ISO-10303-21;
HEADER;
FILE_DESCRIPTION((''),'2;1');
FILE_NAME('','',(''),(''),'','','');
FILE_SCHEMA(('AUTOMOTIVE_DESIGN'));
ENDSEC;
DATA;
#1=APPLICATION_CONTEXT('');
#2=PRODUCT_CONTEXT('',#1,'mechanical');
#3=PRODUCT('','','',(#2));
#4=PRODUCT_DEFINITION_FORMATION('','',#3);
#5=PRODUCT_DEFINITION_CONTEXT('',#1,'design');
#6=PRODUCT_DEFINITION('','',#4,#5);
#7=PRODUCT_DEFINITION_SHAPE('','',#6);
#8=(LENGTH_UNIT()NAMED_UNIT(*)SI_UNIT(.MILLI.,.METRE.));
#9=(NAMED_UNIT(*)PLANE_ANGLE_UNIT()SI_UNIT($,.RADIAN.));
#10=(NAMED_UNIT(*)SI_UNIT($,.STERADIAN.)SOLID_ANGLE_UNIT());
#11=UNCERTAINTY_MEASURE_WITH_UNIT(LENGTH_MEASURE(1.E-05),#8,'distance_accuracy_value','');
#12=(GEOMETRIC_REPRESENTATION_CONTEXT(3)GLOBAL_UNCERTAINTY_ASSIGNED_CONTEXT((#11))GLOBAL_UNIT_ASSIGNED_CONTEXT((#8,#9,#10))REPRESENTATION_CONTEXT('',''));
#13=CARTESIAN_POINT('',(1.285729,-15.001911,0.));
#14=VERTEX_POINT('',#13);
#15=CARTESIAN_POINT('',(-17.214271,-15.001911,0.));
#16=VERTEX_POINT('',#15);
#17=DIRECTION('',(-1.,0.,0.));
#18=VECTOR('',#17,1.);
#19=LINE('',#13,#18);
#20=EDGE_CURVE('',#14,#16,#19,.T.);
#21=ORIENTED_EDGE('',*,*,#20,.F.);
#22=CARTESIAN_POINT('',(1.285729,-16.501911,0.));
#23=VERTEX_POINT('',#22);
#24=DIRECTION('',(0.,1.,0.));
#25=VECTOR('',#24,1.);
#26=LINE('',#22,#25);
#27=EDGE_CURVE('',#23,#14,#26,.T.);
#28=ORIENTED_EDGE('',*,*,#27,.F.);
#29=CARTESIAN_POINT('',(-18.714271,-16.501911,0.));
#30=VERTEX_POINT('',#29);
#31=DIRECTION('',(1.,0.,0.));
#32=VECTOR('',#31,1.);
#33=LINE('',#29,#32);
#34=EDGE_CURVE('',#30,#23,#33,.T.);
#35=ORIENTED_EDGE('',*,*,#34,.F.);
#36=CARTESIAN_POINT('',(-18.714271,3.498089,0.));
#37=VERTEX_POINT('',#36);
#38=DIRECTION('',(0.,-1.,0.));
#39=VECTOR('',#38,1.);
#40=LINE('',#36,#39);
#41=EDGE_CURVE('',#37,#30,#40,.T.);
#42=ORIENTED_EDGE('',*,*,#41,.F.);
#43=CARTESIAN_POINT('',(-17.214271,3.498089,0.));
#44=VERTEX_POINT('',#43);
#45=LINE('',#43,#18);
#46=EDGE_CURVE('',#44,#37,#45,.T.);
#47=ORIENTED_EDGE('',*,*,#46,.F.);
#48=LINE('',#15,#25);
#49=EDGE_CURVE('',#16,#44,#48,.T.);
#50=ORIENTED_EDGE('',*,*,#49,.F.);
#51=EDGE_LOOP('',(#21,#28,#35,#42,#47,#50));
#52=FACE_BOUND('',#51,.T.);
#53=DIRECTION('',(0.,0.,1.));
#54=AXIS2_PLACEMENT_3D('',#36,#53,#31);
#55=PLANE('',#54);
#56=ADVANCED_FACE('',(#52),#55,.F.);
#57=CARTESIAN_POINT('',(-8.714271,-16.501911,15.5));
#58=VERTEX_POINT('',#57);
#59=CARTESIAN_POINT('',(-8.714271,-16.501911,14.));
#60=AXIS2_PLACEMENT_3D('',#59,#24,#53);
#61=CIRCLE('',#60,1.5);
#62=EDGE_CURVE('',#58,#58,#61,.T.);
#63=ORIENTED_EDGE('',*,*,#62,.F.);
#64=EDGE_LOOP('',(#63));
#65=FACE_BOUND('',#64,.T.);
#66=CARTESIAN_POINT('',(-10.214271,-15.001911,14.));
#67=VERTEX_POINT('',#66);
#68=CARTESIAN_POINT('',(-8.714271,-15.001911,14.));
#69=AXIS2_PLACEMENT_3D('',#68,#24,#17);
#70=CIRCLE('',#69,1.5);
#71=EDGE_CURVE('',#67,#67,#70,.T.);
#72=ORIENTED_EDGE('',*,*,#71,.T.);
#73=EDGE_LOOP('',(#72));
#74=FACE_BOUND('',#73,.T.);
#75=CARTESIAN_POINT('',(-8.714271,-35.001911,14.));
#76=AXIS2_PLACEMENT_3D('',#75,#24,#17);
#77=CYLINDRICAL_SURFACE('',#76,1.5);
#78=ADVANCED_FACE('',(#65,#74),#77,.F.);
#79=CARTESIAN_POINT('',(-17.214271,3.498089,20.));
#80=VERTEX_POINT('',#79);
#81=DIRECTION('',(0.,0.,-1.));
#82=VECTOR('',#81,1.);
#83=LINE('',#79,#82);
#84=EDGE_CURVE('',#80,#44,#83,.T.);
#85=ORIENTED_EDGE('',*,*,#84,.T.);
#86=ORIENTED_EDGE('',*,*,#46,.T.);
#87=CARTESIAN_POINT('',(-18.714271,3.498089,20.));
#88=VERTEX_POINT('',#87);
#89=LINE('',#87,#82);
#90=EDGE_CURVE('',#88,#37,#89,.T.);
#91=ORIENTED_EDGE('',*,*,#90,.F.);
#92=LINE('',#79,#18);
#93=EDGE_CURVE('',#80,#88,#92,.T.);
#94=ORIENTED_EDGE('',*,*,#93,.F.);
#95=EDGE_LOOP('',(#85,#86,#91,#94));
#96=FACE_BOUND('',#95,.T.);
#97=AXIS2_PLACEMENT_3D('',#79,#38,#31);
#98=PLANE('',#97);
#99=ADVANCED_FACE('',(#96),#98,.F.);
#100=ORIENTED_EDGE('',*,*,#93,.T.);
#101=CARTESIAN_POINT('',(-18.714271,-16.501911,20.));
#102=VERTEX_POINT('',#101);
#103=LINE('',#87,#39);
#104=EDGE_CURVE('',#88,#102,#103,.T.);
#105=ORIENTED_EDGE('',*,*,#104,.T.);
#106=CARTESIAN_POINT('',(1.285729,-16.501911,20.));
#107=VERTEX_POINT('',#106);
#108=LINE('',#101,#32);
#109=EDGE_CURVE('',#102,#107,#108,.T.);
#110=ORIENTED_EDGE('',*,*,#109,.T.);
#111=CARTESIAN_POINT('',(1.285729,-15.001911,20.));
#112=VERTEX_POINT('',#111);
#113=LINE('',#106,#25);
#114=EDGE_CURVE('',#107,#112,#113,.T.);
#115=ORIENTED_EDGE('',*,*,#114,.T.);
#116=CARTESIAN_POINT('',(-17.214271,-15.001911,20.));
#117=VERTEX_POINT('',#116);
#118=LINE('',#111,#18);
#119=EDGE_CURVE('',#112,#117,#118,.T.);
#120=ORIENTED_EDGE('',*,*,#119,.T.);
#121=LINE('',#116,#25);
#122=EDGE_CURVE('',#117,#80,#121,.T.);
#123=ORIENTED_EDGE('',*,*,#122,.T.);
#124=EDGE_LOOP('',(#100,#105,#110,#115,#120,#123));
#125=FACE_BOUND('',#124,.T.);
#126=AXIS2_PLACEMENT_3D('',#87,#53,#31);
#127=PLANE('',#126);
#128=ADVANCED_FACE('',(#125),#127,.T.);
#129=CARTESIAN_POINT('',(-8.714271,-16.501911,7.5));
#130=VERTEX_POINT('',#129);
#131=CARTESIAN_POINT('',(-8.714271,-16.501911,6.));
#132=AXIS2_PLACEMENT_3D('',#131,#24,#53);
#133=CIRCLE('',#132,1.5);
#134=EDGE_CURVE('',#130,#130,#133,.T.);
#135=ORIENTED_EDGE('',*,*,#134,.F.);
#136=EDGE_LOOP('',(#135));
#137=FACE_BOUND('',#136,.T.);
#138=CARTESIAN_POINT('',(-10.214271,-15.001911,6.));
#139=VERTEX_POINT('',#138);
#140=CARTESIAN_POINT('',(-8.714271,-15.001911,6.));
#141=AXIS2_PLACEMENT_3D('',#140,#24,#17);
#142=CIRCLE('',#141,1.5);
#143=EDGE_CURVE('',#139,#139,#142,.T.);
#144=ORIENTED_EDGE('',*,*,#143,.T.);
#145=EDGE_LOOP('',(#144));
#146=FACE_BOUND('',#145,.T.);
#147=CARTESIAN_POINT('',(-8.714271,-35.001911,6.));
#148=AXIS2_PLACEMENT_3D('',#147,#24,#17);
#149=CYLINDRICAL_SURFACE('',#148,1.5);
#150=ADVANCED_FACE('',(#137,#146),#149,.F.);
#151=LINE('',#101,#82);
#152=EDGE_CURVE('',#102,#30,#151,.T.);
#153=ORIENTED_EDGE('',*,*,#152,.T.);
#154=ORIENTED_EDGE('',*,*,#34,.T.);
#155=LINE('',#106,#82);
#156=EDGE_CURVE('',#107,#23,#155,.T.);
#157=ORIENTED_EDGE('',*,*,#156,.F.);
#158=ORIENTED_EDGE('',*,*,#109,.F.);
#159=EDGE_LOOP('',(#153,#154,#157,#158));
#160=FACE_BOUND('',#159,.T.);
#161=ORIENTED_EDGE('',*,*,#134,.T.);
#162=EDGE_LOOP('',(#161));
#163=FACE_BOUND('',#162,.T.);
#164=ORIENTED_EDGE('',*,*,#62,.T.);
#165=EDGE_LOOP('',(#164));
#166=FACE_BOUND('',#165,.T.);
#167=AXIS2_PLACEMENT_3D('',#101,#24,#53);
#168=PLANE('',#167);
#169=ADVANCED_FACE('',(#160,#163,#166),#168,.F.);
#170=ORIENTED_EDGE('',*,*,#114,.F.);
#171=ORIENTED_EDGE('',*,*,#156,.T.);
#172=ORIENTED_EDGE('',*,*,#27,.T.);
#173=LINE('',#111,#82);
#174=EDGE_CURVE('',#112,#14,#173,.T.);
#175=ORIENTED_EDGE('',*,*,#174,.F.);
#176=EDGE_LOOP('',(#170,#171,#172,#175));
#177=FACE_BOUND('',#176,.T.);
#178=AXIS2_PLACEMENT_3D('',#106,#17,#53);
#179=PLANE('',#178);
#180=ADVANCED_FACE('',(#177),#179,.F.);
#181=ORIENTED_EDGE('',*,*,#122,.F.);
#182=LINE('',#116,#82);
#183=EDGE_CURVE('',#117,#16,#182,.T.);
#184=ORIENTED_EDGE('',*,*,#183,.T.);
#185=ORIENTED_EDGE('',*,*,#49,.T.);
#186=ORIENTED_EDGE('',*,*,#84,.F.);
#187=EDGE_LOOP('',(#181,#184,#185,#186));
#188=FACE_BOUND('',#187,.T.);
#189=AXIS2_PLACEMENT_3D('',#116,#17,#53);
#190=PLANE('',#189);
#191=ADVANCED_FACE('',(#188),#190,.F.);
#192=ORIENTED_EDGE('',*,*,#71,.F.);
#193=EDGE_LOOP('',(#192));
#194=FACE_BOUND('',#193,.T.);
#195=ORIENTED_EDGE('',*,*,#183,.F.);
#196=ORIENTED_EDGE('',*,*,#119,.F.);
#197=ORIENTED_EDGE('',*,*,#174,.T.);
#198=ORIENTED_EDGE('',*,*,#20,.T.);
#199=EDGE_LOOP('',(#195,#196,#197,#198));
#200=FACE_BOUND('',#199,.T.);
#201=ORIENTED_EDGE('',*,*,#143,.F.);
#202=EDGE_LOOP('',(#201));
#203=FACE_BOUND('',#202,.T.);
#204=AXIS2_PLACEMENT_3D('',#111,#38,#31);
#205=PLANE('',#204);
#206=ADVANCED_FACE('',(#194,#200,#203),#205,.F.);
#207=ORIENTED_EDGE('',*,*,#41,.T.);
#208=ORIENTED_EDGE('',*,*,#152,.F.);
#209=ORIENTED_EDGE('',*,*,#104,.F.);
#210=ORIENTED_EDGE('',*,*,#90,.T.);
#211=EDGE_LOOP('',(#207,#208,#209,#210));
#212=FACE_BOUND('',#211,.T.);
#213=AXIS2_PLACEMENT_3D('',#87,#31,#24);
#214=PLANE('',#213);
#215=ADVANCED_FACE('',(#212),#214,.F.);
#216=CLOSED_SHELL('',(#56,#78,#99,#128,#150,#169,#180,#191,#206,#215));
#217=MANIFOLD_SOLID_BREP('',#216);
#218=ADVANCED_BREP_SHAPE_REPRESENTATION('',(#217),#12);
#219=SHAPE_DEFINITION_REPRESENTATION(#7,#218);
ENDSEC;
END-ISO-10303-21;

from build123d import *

# Parameters (mm, degrees)
EXTRUSION1_DEPTH = 20
ESQUISSE2_R      = 1.5
EXTRUSION2_DEPTH = 20


with BuildPart() as part:
    # Esquisse1 → Extrusion1 (new body)
    with BuildSketch(Plane.XY):
        Polygon((-18.714271359, 3.498089172), (-18.714271359, -16.501910828), (1.285728641, -16.501910828), (1.285728641, -15.001910828), (-17.214271359, -15.001910828), (-17.214271359, 3.498089172), align=None)
    extrude(amount=EXTRUSION1_DEPTH)

    # Esquisse2 → Extrusion2 (cut)
    with BuildSketch(Plane(origin=(0, -15.001910828, 0), x_dir=(-1, 0, 0), z_dir=(0, 1, 0))):
        with Locations((8.714271359, 14)):
            Circle(ESQUISSE2_R)
        with Locations((8.714271359, 6)):
            Circle(ESQUISSE2_R)
    extrude(amount=-EXTRUSION2_DEPTH, mode=Mode.SUBTRACT)


solid = part.part
